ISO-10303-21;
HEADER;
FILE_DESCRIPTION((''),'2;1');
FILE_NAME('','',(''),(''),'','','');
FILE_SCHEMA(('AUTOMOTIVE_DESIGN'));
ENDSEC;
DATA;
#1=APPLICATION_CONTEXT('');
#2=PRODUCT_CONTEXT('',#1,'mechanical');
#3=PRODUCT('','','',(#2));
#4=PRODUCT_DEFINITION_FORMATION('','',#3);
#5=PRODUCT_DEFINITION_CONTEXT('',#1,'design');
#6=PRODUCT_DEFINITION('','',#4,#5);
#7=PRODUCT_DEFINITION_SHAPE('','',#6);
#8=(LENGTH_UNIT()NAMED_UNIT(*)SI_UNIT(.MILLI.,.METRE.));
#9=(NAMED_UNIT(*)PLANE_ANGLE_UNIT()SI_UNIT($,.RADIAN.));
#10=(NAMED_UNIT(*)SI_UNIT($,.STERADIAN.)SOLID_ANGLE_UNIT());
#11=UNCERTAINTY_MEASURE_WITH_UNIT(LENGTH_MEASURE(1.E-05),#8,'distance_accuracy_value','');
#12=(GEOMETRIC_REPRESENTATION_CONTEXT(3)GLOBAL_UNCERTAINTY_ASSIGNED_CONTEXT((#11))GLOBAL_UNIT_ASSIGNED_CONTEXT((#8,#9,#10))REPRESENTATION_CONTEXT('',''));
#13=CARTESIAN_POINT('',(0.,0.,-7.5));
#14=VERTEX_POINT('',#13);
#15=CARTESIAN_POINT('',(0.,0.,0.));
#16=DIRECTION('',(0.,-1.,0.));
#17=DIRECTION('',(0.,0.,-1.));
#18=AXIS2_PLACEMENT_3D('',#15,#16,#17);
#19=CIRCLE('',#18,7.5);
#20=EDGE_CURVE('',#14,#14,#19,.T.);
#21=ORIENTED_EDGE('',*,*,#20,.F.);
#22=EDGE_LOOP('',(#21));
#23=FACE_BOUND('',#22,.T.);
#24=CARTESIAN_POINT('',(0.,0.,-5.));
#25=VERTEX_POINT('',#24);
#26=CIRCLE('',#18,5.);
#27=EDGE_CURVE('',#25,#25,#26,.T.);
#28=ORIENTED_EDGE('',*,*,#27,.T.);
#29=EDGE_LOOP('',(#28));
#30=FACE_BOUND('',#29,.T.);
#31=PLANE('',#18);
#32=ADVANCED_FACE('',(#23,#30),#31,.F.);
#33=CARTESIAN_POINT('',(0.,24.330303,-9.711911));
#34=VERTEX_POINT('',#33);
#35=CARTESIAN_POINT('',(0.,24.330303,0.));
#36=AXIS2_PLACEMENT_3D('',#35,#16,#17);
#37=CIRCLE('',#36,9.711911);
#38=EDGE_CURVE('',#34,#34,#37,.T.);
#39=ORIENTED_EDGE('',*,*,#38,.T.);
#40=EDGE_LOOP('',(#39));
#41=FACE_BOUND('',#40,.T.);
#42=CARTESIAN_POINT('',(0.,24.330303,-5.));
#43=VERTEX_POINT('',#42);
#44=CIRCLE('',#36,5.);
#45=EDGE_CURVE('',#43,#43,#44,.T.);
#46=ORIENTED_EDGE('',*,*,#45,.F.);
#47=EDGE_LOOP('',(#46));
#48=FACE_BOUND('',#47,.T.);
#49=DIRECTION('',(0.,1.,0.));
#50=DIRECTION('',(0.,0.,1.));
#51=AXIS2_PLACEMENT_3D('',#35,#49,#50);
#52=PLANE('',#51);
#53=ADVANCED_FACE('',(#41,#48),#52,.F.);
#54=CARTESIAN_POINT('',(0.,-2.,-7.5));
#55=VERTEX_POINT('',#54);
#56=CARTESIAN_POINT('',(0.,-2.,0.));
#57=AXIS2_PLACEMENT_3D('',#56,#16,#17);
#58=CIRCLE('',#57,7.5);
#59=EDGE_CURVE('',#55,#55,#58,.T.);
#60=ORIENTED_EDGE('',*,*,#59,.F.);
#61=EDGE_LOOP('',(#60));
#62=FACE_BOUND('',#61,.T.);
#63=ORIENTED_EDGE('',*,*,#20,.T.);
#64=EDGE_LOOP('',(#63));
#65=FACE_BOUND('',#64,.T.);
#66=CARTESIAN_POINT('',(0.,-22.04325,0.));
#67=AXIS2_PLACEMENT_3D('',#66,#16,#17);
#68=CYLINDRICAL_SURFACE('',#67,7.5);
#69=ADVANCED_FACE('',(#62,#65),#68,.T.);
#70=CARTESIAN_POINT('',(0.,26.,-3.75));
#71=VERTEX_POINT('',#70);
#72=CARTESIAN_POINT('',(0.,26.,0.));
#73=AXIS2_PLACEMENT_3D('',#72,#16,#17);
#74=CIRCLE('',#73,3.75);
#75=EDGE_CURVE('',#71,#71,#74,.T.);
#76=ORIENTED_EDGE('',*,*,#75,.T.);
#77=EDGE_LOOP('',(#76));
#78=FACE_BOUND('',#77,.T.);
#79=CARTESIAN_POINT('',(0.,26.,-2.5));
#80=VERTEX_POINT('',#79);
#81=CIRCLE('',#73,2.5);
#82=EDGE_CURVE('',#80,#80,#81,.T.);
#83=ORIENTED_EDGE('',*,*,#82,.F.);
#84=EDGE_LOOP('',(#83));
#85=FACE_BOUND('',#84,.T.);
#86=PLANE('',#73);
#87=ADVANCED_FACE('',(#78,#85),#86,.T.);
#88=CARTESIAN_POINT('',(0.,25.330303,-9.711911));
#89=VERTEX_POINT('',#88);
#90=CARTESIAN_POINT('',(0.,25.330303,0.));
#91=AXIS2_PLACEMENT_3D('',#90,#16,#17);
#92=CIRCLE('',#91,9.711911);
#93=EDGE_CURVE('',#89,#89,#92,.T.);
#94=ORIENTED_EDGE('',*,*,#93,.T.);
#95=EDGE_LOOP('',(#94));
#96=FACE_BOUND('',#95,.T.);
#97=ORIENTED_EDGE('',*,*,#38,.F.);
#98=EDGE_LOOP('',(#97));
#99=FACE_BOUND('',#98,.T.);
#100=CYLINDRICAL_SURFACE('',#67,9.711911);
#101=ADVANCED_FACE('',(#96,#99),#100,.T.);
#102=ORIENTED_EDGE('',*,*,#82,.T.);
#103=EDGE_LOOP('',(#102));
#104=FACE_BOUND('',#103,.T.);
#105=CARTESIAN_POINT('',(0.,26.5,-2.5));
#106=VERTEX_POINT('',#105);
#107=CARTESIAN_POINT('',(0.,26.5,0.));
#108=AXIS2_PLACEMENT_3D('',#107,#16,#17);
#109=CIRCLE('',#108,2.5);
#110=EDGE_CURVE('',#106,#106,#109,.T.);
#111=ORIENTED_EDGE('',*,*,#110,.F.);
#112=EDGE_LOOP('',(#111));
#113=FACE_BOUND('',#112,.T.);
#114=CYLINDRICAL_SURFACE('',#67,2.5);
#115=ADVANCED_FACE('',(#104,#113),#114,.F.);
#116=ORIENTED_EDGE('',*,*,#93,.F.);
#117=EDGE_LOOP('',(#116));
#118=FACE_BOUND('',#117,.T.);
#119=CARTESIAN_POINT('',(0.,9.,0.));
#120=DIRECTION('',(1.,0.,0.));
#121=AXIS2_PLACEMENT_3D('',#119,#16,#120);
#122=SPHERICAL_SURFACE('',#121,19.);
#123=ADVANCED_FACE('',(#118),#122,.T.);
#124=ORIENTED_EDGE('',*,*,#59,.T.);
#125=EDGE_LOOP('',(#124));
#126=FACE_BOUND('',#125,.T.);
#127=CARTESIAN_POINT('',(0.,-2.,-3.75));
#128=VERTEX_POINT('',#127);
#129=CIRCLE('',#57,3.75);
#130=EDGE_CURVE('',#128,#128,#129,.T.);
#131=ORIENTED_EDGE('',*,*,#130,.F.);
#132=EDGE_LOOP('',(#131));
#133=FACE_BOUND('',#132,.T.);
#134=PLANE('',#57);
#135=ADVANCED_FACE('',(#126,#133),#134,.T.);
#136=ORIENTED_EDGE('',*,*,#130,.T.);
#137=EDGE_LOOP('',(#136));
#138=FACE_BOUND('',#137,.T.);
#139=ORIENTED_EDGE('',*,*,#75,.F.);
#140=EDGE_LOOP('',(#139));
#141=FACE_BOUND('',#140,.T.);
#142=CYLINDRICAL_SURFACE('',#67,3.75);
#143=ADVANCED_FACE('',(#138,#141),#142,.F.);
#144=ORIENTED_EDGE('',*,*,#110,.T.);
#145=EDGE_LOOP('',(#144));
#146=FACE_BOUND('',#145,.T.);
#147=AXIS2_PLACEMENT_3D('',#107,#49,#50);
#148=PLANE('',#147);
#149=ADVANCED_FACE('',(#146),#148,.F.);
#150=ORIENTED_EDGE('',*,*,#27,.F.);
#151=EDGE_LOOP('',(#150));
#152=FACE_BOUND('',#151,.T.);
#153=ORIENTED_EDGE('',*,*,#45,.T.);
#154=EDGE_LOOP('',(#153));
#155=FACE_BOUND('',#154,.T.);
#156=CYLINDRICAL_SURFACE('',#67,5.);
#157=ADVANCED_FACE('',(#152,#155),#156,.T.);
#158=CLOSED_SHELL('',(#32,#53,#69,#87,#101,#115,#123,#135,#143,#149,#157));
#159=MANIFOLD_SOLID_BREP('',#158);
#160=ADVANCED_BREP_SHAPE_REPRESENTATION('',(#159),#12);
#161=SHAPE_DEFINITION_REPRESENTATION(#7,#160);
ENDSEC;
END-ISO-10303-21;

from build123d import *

# Parameters (mm, degrees)
SKETCH_1_W = 4.711910786
SKETCH_1_H = 1


with BuildPart() as part:
    # Эскиз1 → Повернуть1 (revolve)
    with BuildSketch(Plane.XY, mode=Mode.PRIVATE) as revolve_1_sk:
        with BuildLine():
            Line((7.5, 0), (5, 0))
            Line((5, 0), (5, 24.33030278))
            Line((5, 24.33030278), (5, 25.33030278))
            Line((5, 25.33030278), (5, 27.33030278))
            ThreePointArc((5, 27.33030278), (2.522325037, 27.831831467), (0, 28))
            Line((0, 28), (0, 26.5))
            Line((0, 26.5), (2.5, 26.5))
            Line((2.5, 26.5), (2.5, 26))
            Line((2.5, 26), (3.75, 26))
            Line((3.75, 26), (3.75, -2))
            Line((3.75, -2), (7.5, -2))
            Line((7.5, -2), (7.5, 0))
        make_face()
        with BuildLine():
            Line((5, 27.33030278), (5, 25.33030278))
            Line((5, 25.33030278), (9.711910786, 25.33030278))
            ThreePointArc((9.711910786, 25.33030278), (7.423616352, 26.489708981), (5, 27.33030278))
        make_face()
        with Locations((7.355955393, 24.83030278)):
            Rectangle(SKETCH_1_W, SKETCH_1_H)
    revolve(revolve_1_sk.sketch.rotate(Axis((0, -22.043249972, 0), (0, 1, 0)), 90), axis=Axis((0, -22.043249972, 0), (0, 1, 0)))


solid = part.part
